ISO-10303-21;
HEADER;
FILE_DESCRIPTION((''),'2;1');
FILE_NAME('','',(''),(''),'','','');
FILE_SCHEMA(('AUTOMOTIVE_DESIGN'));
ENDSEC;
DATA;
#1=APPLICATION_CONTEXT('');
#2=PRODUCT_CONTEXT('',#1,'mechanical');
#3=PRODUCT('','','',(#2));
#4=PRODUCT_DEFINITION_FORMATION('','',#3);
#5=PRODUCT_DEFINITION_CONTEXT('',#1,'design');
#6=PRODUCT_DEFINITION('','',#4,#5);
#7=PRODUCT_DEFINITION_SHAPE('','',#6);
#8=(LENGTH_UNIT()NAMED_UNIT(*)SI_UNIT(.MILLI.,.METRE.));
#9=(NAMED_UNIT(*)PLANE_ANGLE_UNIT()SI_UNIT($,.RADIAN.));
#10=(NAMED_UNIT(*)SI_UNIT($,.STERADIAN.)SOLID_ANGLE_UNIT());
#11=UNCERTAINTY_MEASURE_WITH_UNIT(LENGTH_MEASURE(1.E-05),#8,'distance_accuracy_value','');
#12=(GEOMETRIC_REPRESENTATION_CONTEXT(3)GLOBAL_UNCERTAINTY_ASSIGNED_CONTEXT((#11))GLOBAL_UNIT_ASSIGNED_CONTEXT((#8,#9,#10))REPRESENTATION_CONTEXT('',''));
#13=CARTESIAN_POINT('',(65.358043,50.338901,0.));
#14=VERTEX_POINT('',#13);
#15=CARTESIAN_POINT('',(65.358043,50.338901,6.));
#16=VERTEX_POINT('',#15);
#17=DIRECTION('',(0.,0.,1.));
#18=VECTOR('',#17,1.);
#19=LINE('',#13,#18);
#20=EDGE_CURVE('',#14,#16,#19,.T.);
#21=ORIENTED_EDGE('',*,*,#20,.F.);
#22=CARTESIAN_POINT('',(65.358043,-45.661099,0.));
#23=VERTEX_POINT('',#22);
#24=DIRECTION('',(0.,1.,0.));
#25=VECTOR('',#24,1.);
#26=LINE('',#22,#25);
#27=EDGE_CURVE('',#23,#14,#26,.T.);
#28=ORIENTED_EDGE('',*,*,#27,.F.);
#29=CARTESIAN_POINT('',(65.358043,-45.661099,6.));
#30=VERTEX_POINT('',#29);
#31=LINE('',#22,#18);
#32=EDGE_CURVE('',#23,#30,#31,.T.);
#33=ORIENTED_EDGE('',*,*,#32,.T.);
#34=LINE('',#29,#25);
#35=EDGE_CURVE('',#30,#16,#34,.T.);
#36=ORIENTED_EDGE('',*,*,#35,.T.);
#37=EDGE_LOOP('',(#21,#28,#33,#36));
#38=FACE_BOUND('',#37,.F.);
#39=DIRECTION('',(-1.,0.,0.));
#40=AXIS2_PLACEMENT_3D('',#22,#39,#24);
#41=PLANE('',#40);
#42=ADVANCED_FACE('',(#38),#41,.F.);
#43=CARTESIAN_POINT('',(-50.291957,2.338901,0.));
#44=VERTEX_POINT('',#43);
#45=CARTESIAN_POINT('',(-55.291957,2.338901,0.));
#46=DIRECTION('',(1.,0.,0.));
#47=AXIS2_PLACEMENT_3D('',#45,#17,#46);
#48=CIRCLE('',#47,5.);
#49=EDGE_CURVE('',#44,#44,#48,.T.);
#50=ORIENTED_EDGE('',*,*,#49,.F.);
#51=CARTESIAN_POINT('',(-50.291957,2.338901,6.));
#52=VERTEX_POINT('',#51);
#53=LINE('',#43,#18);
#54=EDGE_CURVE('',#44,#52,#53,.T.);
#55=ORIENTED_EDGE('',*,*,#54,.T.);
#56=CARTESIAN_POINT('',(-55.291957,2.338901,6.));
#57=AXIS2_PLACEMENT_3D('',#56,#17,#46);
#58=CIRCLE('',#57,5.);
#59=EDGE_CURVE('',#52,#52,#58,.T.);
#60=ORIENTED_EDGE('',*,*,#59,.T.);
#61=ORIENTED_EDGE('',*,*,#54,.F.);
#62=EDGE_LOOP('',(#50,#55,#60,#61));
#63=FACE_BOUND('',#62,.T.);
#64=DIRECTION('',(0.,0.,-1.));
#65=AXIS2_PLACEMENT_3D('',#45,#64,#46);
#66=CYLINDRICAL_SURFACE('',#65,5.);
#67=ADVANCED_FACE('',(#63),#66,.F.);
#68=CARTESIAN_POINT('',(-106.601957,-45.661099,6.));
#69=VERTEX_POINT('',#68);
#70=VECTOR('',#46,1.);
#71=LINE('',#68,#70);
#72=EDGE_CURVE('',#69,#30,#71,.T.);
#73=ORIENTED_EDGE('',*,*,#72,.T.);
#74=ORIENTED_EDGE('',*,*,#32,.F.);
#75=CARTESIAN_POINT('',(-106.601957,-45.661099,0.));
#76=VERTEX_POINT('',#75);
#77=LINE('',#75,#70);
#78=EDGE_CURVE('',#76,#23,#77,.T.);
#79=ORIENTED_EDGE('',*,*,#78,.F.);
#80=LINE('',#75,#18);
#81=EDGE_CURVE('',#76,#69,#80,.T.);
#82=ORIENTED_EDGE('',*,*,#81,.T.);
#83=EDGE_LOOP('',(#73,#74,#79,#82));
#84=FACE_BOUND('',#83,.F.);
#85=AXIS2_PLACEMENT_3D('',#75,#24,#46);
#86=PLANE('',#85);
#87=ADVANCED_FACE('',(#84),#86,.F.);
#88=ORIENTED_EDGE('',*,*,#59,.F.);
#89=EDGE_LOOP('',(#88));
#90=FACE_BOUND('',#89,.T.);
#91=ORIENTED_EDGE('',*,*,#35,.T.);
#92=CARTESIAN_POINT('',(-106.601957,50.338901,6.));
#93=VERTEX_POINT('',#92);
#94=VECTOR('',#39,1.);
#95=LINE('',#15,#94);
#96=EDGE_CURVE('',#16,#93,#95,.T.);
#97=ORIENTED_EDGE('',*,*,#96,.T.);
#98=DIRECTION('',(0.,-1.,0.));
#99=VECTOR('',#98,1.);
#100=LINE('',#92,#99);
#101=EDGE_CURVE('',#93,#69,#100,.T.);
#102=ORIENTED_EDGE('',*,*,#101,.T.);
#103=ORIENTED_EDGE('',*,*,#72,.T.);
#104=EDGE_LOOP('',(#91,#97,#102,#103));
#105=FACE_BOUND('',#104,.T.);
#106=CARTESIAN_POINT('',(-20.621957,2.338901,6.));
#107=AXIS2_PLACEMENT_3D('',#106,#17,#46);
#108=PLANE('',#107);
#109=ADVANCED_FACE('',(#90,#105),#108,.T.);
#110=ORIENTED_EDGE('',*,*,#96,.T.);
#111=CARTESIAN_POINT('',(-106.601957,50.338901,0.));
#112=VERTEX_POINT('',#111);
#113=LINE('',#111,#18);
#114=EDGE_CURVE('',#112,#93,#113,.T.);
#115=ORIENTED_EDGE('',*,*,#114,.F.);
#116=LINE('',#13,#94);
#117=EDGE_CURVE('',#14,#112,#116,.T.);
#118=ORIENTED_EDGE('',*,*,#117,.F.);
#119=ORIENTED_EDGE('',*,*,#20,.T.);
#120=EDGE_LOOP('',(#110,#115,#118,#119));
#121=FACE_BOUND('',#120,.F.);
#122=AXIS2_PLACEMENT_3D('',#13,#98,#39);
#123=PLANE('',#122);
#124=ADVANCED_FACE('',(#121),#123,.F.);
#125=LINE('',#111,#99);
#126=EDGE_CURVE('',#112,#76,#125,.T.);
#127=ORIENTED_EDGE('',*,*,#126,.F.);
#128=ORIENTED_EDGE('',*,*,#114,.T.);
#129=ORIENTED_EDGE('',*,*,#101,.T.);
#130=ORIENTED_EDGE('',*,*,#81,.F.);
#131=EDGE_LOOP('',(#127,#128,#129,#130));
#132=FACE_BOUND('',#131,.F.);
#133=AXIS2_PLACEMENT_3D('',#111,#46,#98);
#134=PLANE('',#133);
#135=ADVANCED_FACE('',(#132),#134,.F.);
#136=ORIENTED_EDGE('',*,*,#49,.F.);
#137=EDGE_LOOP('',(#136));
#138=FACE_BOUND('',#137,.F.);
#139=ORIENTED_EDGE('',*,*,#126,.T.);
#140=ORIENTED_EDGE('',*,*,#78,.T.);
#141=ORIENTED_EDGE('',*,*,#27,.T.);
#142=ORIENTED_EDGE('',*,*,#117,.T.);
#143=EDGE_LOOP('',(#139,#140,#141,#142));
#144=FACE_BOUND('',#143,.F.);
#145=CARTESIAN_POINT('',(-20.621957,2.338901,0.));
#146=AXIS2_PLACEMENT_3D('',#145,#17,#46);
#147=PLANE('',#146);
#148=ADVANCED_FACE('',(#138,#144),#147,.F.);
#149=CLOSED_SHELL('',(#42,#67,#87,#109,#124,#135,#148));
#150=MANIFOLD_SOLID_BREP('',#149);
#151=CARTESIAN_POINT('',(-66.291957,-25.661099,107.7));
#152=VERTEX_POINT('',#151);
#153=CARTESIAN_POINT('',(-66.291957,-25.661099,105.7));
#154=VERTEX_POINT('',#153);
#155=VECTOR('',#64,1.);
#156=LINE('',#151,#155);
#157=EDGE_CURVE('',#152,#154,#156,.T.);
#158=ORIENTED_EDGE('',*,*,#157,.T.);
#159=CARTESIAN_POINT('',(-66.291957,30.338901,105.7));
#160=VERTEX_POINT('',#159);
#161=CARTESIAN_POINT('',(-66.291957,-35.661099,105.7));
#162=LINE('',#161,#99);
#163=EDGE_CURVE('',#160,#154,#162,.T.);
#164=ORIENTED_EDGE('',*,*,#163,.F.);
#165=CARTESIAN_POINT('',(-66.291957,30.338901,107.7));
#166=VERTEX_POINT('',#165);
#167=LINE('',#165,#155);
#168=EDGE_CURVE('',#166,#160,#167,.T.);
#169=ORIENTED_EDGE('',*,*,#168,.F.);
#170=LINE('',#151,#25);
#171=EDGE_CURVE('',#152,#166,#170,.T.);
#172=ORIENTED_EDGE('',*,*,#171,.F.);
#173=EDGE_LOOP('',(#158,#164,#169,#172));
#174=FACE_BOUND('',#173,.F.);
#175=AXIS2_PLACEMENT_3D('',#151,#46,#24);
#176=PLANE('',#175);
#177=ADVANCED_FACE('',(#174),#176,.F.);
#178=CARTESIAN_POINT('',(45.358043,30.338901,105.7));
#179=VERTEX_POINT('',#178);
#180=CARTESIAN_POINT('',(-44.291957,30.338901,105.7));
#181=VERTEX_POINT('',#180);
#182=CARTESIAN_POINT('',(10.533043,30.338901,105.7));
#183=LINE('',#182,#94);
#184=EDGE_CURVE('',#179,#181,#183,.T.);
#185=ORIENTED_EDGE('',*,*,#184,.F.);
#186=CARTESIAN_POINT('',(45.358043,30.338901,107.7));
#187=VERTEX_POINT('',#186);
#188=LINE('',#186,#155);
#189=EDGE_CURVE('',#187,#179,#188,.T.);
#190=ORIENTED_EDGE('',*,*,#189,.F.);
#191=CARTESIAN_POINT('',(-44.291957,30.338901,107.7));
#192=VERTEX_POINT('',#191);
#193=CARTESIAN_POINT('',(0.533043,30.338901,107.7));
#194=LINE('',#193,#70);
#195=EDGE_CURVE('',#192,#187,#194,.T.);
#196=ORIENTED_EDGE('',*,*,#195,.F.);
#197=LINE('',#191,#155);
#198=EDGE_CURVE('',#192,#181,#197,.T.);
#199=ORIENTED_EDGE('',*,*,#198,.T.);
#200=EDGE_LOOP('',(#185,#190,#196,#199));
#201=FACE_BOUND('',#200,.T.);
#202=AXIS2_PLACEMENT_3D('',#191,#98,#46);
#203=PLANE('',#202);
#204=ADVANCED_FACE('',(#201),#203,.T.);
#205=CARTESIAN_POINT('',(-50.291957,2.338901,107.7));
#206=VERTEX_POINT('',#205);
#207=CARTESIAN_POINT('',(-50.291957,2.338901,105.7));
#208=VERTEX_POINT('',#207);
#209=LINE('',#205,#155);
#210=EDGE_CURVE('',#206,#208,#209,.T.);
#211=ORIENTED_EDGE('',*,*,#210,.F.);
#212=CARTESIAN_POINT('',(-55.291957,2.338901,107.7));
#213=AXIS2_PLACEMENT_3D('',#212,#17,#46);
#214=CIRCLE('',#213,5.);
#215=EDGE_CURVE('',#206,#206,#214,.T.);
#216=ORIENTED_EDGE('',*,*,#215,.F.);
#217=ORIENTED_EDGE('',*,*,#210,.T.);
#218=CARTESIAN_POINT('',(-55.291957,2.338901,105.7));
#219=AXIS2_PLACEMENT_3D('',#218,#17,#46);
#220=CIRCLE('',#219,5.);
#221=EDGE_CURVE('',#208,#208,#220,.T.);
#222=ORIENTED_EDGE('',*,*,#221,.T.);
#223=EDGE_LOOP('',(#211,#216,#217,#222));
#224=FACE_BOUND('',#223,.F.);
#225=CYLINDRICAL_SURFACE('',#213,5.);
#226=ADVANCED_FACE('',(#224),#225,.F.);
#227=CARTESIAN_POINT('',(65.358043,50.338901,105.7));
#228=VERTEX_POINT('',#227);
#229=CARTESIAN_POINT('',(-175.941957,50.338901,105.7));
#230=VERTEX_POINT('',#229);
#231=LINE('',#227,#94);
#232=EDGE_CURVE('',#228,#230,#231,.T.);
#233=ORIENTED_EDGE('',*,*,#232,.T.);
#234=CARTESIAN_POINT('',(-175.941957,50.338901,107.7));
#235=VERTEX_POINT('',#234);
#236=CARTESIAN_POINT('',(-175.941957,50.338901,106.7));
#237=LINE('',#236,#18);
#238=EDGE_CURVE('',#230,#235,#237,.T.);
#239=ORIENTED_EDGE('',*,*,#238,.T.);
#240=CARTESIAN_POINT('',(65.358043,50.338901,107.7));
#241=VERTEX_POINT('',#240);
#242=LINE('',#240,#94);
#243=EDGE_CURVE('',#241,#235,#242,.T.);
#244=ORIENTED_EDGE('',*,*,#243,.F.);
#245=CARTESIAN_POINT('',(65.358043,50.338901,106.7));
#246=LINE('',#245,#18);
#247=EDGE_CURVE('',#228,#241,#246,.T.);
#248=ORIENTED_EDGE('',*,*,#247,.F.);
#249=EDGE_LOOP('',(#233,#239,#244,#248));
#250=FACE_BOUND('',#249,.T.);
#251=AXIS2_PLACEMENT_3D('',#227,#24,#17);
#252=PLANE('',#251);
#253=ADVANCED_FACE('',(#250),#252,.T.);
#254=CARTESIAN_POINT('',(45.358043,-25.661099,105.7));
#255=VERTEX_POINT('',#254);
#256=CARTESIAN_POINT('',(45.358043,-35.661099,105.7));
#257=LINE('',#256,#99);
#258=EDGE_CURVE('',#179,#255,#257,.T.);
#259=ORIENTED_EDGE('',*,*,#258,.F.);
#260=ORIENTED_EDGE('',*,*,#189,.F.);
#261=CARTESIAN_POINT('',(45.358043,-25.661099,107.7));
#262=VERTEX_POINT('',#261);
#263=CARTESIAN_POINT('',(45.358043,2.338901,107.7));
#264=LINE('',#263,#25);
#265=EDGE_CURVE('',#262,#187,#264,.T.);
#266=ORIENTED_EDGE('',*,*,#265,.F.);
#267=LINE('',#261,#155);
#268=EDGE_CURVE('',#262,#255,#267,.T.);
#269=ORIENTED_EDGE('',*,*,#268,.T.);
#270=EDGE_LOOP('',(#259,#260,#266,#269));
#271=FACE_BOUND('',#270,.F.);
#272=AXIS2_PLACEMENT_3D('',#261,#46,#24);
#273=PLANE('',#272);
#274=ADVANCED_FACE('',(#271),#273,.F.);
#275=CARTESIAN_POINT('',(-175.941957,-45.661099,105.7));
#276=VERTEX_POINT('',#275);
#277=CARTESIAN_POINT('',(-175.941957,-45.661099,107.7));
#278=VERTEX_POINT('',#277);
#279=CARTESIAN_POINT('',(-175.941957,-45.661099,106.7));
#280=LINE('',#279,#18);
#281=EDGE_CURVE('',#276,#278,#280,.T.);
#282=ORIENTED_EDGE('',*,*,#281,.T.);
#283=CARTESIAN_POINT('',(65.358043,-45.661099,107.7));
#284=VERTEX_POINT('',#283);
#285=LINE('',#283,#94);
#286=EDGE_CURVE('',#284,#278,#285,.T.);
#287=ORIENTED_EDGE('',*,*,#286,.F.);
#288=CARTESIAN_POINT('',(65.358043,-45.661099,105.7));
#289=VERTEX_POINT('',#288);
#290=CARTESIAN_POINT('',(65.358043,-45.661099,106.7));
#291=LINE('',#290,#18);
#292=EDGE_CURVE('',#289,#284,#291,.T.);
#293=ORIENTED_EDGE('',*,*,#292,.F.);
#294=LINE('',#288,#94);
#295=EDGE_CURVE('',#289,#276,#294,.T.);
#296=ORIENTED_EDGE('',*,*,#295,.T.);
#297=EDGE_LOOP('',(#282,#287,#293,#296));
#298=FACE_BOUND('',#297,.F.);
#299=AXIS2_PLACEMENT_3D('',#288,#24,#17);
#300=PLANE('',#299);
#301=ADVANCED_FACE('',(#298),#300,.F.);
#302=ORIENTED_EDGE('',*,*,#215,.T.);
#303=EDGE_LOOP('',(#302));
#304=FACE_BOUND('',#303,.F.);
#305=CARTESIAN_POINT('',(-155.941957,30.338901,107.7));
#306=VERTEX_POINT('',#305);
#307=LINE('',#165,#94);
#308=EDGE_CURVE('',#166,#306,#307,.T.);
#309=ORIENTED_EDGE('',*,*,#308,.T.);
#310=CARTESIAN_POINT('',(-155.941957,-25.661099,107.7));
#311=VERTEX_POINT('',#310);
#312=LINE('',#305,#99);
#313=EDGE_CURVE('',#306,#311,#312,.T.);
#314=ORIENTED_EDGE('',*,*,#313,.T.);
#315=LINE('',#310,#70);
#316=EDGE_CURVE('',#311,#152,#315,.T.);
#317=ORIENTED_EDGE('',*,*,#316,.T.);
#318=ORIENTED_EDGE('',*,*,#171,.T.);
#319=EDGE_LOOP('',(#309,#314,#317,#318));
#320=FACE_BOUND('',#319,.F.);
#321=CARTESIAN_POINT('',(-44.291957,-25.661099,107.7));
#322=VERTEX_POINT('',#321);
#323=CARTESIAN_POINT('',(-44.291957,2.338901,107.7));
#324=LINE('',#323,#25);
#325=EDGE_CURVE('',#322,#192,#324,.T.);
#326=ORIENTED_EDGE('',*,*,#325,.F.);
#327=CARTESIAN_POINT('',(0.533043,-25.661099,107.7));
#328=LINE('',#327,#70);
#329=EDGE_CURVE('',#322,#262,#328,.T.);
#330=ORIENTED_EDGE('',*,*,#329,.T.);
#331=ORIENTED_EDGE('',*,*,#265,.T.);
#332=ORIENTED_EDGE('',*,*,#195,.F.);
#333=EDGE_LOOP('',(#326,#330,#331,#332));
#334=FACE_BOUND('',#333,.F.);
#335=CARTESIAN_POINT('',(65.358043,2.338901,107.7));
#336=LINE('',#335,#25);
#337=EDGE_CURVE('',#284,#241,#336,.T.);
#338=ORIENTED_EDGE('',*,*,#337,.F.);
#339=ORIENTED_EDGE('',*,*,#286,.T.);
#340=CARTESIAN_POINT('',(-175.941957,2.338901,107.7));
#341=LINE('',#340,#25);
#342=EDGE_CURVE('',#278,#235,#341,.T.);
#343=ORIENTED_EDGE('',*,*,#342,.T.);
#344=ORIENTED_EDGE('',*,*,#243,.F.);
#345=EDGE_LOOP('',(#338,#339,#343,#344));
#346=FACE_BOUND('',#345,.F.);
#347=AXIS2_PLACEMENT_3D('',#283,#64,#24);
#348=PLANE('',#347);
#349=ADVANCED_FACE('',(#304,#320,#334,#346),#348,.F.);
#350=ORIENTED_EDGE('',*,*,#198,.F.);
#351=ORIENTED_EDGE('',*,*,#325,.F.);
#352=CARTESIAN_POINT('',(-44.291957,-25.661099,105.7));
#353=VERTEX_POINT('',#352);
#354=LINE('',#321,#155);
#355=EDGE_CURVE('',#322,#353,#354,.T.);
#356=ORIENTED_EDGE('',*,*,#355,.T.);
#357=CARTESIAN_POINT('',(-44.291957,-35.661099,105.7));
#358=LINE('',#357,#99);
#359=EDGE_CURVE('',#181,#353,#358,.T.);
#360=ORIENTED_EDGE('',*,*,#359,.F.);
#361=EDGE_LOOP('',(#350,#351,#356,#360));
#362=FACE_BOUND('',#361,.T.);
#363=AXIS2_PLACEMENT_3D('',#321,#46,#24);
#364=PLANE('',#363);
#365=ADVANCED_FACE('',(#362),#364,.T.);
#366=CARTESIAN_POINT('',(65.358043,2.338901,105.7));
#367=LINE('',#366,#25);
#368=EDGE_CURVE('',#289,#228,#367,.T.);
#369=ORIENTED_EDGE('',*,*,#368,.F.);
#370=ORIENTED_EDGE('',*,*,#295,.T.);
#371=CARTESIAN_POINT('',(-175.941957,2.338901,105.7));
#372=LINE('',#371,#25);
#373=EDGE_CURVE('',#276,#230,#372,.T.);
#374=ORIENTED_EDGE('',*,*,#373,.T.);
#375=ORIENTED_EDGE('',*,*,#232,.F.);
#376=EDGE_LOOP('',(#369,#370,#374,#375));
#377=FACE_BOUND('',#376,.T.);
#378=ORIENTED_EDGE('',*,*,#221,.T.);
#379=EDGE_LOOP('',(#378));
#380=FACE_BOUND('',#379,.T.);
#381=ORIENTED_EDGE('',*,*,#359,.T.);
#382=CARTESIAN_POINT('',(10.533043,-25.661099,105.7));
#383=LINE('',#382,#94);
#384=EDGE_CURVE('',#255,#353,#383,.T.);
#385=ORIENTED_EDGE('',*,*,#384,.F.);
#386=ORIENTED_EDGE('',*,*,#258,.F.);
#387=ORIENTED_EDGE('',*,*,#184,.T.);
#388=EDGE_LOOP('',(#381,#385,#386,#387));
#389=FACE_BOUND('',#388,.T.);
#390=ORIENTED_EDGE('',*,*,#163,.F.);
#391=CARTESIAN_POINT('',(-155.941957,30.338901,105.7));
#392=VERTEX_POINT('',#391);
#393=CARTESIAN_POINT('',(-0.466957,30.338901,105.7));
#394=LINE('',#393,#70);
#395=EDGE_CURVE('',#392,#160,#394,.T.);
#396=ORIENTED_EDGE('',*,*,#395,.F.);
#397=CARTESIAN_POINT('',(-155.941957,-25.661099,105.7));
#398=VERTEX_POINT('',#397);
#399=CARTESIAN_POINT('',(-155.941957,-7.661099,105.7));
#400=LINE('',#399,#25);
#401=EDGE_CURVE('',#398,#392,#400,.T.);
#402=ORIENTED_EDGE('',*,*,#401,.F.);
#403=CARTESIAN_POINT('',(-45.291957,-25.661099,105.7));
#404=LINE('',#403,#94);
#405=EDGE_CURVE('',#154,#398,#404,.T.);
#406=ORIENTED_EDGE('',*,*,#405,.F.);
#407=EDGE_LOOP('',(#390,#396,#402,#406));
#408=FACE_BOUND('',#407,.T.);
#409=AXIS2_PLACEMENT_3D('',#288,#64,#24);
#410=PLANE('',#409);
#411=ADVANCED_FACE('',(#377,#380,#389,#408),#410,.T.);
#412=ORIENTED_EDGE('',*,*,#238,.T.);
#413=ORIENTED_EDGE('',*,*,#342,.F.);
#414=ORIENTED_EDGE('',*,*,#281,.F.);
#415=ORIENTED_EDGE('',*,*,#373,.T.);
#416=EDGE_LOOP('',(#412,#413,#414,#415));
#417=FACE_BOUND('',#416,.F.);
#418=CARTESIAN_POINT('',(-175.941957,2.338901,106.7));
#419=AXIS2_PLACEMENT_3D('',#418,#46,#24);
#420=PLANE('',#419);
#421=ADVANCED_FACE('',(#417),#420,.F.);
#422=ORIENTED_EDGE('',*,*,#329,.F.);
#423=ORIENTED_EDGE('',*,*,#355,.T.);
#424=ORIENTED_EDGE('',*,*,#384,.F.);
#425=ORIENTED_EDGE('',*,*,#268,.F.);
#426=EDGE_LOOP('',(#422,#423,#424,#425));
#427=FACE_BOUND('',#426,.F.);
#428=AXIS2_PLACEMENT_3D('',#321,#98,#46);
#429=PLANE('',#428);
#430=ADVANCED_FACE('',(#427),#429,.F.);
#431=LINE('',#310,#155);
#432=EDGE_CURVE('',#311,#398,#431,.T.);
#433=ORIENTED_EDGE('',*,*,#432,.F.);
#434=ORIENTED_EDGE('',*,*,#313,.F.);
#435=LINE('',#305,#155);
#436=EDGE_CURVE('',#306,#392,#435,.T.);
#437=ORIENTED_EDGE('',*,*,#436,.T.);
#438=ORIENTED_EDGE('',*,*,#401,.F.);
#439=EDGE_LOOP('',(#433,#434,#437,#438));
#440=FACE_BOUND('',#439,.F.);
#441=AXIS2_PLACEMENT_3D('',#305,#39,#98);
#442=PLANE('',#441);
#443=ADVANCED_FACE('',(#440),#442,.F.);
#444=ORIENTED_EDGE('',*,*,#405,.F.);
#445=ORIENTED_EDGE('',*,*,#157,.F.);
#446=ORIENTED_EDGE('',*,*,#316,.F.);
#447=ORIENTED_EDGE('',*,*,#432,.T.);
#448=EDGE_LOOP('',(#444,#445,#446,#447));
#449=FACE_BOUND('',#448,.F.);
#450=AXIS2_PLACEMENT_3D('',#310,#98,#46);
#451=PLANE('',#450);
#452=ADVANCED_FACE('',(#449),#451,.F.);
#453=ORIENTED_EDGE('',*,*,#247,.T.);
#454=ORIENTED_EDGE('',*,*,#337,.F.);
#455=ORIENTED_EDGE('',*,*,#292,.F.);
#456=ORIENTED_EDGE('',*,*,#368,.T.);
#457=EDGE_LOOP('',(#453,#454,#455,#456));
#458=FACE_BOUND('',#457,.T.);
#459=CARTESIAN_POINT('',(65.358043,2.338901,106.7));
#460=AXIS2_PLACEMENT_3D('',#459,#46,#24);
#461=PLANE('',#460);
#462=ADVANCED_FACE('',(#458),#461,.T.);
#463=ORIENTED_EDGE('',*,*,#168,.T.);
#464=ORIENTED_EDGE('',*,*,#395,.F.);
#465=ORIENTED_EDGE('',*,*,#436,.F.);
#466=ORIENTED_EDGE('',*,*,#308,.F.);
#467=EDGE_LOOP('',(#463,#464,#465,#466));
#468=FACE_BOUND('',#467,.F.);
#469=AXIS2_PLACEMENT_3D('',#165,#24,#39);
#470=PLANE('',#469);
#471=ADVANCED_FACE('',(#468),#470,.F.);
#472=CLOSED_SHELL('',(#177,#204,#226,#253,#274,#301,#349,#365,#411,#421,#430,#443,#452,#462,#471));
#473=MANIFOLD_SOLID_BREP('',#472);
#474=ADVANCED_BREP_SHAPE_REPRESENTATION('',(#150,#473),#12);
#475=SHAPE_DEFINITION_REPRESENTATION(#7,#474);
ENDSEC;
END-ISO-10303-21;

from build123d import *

# Parameters (mm, degrees)
F0_R     = 5
F1_DEPTH = 6
F2_W     = 96
F2_H     = 2
F3_DEPTH = 241.3
F5_DEPTH = 25
F4_W     = 89.65
F4_H     = 56
F4_R     = 5
F6_DEPTH = 25


with BuildPart() as f1:
    # F0 (on Top) → F1 (new body)
    with BuildSketch(Plane.XY):
        Polygon((65.358043, 50.338901), (-106.601957, 50.338901), (-106.601957, -45.661099), (65.358043, -45.661099), (65.358043, 2.338901), align=None)
        with Locations((-55.291957, 2.338901)):
            Circle(F0_R, mode=Mode.SUBTRACT)
    extrude(amount=F1_DEPTH)


with BuildPart() as f3:
    # F2 (on face) → F3 (new body)
    with BuildSketch(Plane.YZ.offset(65.358043)):
        with Locations((2.338901, 106.7)):
            Rectangle(F2_W, F2_H)
    extrude(amount=-F3_DEPTH)

    # F4 (on face) → F5 (cut)
    with BuildSketch(Plane.XY.offset(107.7)):
        Polygon((-66.291957, 30.338901), (-155.941957, 30.338901), (-155.941957, -25.661099), (-66.291957, -25.661099), (-66.291957, 2.338901), align=None)
    extrude(amount=-F5_DEPTH, mode=Mode.SUBTRACT)

    # F4 (on face) → F6 (cut)
    with BuildSketch(Plane.XY.offset(107.7)):
        with Locations((0.533043, 2.338901)):
            Rectangle(F4_W, F4_H)
        with Locations((-55.291957, 2.338901)):
            Circle(F4_R)
    extrude(amount=-F6_DEPTH, mode=Mode.SUBTRACT)


solid = Compound([f1.part, f3.part])
